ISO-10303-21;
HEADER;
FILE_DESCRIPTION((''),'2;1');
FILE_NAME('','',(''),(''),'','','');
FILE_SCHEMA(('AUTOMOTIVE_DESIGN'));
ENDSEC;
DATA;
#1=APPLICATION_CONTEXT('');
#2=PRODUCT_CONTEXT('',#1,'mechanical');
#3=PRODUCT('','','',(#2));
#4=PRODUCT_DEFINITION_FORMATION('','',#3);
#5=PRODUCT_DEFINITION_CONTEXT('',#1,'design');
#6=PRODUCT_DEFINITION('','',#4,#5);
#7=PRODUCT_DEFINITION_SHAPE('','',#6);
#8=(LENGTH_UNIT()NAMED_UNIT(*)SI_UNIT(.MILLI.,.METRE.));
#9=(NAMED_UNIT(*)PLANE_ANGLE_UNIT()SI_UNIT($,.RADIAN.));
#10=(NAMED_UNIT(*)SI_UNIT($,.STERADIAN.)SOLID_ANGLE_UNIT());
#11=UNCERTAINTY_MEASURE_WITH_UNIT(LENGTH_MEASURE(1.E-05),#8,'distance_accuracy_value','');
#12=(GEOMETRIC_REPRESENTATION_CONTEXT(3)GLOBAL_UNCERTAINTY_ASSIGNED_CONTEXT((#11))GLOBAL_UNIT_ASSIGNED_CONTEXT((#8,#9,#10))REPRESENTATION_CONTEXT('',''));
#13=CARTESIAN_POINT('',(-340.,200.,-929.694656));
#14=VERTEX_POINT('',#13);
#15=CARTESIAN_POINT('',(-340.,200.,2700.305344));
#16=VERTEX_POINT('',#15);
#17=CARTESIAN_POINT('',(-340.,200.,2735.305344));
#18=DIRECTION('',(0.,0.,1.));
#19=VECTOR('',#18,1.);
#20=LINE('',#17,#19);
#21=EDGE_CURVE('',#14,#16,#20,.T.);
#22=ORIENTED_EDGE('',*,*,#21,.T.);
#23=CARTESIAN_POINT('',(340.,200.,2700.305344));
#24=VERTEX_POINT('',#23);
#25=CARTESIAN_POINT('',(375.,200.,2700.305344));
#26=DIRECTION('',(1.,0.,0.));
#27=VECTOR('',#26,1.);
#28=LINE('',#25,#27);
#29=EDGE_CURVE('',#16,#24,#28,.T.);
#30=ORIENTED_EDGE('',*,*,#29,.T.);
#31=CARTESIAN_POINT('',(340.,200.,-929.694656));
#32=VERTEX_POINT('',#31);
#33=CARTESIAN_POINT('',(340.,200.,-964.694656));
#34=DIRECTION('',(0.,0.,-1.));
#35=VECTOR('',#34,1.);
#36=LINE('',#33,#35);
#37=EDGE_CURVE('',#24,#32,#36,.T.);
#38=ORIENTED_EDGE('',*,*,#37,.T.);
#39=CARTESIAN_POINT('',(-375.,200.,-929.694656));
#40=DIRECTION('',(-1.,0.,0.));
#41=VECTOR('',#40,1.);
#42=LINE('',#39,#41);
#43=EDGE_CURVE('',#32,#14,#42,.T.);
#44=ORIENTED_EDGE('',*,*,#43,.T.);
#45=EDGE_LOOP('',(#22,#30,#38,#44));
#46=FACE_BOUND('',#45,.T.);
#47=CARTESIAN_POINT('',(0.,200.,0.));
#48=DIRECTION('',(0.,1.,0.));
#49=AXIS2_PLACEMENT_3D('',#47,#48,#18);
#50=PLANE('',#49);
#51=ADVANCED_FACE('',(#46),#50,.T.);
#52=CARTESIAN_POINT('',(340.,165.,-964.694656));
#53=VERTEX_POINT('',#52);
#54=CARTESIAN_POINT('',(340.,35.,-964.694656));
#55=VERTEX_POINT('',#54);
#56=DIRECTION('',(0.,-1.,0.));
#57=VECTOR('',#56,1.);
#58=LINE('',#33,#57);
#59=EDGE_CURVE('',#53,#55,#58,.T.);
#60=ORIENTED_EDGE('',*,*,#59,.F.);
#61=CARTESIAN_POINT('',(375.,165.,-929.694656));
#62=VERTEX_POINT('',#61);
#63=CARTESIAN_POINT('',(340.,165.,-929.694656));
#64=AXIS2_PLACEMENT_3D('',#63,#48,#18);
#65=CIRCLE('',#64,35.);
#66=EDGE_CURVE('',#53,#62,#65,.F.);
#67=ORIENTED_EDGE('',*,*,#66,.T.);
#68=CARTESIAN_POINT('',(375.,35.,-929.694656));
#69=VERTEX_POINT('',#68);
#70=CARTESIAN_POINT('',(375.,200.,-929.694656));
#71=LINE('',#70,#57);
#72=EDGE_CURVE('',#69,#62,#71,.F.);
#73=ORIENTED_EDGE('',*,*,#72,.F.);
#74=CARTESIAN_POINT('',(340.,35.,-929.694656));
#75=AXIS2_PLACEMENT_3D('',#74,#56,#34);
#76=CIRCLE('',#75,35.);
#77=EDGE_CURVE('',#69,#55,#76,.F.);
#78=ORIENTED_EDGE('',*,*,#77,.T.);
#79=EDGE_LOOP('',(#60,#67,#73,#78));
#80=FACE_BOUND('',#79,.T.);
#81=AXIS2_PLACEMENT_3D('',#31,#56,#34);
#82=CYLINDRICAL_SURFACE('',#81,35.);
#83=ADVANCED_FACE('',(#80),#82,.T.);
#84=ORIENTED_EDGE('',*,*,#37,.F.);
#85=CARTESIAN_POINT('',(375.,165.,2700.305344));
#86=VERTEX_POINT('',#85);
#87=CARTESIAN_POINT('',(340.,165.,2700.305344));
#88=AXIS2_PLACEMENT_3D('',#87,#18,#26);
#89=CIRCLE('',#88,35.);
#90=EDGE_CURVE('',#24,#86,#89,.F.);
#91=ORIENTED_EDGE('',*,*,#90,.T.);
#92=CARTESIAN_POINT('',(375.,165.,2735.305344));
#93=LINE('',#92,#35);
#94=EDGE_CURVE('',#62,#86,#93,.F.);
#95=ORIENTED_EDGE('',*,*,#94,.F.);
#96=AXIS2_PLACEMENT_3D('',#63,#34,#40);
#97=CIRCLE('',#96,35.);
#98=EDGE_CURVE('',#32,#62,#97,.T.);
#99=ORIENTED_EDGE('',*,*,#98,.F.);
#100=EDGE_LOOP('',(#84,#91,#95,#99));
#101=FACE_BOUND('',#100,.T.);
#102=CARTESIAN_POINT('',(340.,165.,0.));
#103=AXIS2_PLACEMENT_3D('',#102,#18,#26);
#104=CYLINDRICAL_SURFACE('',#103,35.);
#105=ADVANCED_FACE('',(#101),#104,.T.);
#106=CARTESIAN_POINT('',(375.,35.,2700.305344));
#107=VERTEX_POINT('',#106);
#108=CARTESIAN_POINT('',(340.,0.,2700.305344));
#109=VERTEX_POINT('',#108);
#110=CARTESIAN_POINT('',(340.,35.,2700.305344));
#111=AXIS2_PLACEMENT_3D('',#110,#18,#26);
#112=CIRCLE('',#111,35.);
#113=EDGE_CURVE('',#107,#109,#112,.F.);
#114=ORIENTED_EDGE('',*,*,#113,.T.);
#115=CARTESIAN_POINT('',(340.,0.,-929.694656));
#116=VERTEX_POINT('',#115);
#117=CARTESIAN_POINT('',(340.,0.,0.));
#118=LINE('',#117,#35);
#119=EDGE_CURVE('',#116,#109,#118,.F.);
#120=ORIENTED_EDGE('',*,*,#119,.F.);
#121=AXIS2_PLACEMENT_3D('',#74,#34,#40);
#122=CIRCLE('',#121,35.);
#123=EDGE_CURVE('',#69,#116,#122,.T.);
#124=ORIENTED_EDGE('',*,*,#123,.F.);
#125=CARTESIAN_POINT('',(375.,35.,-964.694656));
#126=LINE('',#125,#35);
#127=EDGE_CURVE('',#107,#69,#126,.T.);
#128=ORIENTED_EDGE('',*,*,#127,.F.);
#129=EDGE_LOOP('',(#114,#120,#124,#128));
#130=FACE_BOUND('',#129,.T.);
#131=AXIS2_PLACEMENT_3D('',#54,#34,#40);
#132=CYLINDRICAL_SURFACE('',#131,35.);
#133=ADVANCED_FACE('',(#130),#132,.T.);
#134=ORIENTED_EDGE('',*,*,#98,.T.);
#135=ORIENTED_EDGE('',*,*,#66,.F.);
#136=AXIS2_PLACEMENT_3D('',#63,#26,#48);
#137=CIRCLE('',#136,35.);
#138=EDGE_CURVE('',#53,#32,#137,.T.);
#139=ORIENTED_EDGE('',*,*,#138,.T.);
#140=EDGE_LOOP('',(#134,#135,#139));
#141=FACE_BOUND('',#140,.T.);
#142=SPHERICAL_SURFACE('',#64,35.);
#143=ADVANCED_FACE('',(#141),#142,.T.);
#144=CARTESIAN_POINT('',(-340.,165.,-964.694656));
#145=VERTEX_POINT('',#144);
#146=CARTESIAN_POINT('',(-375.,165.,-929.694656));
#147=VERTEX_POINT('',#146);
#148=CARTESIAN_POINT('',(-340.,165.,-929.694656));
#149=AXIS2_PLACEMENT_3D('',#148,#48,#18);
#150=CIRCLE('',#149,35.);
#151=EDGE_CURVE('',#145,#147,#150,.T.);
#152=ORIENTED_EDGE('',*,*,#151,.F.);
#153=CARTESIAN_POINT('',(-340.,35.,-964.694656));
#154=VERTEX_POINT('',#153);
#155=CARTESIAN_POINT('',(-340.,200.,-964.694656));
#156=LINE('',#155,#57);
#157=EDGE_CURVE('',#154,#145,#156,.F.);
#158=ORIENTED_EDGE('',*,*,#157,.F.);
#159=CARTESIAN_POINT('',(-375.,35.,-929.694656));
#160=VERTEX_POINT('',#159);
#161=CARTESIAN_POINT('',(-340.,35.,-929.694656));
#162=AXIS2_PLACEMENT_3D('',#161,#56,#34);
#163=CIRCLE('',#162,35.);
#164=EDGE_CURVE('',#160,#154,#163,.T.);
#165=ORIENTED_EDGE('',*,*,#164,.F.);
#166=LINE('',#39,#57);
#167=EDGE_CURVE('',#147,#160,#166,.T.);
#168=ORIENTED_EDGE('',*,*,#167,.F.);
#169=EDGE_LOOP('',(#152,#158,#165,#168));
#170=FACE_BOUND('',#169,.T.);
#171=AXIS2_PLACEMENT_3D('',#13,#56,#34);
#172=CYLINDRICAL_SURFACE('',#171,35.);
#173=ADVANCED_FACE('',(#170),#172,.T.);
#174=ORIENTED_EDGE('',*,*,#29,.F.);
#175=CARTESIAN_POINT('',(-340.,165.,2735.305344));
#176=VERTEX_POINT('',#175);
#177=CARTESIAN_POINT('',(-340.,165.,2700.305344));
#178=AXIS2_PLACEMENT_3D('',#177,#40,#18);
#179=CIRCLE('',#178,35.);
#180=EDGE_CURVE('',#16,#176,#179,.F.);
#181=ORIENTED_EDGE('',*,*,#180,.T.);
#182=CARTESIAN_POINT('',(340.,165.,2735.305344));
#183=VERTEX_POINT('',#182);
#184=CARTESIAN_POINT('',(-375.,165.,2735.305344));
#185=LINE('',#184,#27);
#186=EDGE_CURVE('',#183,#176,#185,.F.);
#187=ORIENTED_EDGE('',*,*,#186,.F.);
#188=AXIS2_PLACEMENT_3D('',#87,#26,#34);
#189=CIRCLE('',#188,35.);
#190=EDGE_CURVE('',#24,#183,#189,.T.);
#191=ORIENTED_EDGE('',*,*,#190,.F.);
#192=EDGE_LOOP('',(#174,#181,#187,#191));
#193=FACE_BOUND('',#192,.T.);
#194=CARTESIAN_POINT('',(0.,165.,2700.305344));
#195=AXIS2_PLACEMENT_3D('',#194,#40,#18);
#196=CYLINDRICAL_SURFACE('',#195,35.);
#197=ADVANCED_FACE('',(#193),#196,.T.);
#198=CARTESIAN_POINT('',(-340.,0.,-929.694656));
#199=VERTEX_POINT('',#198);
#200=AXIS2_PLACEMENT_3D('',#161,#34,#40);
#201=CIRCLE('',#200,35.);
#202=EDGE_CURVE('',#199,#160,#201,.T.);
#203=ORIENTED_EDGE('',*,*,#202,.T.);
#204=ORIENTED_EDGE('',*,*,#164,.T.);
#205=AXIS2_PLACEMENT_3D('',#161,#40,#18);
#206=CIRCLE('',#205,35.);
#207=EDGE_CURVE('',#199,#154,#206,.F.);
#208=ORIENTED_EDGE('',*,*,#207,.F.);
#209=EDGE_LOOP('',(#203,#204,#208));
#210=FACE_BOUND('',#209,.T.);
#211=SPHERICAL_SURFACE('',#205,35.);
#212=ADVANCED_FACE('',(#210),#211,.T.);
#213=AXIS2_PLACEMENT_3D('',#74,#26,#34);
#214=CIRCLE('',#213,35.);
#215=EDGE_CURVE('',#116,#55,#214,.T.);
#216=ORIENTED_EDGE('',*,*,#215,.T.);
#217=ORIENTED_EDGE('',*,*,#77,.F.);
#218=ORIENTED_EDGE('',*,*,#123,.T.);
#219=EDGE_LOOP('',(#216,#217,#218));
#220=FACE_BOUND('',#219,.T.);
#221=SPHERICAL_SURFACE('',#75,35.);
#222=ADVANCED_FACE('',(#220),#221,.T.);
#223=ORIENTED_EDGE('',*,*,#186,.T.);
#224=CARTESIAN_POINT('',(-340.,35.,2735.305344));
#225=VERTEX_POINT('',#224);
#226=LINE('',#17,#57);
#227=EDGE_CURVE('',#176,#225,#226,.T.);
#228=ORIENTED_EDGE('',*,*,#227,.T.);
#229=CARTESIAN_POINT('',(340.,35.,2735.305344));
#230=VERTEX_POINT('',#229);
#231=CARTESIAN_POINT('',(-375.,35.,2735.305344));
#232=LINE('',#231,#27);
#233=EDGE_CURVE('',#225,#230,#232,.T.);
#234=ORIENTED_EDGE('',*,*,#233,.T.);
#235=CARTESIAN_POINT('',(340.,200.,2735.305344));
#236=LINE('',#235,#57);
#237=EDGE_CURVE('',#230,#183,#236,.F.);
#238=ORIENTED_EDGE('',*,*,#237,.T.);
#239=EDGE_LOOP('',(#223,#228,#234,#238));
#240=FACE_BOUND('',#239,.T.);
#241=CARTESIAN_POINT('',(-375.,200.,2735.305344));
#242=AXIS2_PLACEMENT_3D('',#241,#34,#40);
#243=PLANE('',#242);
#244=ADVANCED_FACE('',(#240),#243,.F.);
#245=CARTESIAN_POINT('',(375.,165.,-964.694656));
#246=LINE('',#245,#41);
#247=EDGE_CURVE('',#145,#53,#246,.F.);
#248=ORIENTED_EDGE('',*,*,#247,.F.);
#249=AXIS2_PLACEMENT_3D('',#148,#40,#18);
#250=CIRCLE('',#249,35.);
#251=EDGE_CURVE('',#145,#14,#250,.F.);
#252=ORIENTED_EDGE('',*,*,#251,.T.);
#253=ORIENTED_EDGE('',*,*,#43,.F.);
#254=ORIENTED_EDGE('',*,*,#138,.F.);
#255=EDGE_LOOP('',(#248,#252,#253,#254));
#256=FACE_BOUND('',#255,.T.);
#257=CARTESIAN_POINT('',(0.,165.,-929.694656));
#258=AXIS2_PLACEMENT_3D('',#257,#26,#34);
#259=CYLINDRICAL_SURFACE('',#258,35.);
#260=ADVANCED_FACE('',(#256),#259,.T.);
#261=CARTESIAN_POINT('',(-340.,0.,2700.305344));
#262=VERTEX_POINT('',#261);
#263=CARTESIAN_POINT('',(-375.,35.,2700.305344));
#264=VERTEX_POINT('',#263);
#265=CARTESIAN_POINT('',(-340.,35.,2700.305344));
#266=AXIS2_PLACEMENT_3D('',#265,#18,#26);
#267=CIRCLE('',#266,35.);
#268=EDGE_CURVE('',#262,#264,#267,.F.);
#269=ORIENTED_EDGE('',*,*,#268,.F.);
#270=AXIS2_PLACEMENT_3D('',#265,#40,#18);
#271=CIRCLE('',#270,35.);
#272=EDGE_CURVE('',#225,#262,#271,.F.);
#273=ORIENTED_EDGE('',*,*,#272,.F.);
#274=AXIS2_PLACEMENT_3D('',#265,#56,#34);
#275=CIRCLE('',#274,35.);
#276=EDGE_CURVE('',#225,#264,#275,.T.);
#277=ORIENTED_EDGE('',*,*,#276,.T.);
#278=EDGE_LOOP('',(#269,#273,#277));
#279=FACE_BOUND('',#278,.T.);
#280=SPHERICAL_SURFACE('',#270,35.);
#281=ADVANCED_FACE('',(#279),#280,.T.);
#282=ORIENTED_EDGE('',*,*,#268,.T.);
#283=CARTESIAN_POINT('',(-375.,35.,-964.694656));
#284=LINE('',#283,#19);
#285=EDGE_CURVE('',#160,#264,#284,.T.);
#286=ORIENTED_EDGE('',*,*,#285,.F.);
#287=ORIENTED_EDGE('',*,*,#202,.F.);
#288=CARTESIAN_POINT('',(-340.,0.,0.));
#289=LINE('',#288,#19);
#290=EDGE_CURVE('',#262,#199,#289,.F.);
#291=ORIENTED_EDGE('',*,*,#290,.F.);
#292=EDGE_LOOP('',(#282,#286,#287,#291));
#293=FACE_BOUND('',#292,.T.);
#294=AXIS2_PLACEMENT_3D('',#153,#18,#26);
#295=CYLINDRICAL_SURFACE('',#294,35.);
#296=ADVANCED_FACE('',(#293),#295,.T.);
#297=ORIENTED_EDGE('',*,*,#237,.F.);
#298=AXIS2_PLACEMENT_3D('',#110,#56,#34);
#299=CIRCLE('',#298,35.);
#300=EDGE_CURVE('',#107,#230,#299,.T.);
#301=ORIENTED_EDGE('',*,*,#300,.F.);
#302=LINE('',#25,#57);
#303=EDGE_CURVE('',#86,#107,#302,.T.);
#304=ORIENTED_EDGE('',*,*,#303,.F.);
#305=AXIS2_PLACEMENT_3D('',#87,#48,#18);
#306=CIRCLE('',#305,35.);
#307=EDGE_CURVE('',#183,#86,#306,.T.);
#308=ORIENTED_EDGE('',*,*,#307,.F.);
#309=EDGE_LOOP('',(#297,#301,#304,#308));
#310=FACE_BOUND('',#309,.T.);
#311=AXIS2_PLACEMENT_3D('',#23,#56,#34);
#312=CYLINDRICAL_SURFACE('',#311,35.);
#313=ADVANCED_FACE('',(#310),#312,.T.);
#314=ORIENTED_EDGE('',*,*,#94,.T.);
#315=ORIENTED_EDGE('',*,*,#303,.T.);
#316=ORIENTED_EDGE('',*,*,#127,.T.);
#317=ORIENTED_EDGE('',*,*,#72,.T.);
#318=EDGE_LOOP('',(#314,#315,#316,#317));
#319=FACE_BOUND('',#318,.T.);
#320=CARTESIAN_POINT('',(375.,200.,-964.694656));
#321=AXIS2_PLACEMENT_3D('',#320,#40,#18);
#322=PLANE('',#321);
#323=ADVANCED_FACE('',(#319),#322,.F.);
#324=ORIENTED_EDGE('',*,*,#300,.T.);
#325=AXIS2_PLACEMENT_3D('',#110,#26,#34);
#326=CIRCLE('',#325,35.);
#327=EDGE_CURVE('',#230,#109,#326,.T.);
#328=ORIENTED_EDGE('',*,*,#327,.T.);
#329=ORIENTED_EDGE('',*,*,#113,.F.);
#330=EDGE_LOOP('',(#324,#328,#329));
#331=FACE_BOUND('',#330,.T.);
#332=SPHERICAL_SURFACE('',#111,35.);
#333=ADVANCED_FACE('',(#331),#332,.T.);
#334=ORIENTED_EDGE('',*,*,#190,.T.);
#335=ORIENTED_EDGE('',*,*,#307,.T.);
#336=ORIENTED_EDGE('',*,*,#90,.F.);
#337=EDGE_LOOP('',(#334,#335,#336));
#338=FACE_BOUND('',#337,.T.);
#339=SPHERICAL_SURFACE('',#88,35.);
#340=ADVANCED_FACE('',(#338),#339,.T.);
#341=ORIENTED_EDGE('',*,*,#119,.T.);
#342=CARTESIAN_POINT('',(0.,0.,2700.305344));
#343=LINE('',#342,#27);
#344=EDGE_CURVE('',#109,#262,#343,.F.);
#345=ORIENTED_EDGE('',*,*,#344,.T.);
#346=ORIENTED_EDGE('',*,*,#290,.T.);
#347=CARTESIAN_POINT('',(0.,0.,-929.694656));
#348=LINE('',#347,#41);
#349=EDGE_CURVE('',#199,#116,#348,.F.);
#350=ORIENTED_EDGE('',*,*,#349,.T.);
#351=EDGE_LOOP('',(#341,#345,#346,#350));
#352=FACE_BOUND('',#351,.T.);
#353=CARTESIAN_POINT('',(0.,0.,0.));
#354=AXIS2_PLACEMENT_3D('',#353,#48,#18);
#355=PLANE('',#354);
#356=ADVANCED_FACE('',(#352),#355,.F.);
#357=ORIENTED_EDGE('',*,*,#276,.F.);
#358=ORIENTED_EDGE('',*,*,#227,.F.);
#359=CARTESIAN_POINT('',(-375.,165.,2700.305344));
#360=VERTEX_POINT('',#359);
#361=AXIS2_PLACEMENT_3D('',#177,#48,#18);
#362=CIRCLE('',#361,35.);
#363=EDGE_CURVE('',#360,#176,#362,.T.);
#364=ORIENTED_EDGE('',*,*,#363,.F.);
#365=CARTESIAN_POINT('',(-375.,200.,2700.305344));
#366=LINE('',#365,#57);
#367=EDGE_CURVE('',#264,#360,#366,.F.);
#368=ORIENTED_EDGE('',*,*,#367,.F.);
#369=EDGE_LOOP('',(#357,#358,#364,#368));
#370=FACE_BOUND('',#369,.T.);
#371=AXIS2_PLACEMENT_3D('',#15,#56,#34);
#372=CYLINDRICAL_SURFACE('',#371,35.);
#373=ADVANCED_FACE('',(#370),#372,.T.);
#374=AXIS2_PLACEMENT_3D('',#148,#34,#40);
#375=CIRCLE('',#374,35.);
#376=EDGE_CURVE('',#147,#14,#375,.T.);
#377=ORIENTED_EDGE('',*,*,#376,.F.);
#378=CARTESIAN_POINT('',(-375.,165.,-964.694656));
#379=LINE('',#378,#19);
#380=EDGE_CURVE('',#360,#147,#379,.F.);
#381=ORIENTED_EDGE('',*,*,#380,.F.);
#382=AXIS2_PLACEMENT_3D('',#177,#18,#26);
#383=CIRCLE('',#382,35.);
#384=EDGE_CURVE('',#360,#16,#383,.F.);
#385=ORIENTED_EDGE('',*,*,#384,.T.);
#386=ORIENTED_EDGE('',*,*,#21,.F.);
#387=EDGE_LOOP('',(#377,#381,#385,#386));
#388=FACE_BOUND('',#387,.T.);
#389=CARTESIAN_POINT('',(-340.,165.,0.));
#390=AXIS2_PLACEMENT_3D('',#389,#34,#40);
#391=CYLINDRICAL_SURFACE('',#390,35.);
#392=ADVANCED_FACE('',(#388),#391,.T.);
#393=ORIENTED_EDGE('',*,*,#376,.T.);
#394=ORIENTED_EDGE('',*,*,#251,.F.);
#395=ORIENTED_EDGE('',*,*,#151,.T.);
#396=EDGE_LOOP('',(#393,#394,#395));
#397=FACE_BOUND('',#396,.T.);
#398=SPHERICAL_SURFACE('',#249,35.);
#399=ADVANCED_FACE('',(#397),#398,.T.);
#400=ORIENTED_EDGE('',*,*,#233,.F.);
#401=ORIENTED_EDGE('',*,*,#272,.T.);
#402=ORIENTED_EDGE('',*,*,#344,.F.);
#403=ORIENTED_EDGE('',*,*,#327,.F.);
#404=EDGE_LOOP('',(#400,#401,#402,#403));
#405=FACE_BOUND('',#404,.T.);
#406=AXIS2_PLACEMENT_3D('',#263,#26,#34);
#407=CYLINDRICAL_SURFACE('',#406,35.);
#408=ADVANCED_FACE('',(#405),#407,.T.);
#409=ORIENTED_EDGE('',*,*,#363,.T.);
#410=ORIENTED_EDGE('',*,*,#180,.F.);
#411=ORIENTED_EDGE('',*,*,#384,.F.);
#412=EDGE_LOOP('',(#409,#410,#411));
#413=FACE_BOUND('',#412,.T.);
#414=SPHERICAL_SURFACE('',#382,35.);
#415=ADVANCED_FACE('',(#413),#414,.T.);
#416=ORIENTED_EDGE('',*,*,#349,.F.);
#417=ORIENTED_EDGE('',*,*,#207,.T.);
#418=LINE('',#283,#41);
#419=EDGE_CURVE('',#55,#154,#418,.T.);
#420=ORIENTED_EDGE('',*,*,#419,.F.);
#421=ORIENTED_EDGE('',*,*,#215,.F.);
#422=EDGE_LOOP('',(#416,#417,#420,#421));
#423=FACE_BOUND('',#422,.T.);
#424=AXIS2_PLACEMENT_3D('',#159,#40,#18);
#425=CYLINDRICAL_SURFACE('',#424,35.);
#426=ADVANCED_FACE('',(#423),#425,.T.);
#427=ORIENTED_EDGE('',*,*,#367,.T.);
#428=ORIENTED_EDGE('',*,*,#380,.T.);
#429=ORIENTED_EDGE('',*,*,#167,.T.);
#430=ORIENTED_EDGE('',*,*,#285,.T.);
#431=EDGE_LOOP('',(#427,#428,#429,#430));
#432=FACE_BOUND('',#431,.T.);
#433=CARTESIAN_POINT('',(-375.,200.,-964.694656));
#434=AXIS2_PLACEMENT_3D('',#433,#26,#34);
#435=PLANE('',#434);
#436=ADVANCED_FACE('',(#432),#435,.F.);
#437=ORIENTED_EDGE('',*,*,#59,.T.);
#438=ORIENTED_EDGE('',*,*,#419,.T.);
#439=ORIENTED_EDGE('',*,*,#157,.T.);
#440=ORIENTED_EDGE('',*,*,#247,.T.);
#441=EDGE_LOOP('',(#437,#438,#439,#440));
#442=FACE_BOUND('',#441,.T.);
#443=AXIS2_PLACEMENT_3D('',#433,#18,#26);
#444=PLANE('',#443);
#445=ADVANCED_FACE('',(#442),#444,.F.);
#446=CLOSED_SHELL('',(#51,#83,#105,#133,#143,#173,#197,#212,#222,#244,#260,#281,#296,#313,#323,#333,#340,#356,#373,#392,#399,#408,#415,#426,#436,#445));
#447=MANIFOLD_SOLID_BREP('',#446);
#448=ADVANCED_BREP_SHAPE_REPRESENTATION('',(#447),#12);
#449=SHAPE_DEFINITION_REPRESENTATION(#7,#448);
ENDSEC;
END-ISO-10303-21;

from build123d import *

# Parameters (mm, degrees)
SKETCH1_W           = 750
SKETCH1_H           = 3700
BOSS_EXTRUDE1_DEPTH = 200
FILLET1_R           = 35


with BuildPart() as part:
    # Sketch1 → Boss-Extrude1 (new body)
    with BuildSketch(Plane(origin=(0, 0, 0), x_dir=(1, 0, 0), z_dir=(0, 1, 0))):
        with Locations((0, -885.305343511)):
            Rectangle(SKETCH1_W, SKETCH1_H)
    extrude(amount=BOSS_EXTRUDE1_DEPTH)

    # Fillet1
    fillet1_edges = [part.edges().sort_by_distance(p)[0] for p in [
        (-375, 200, 885.305343511),
        (0, 200, 2735.305343511),
        (375, 200, 885.305343511),
        (0, 0, 2735.305343511),
        (-375, 0, 885.305343511),
        (0, 0, -964.694656489),
        (375, 0, 885.305343511),
        (375, 100, 2735.305343511),
        (-375, 100, 2735.305343511),
        (-375, 100, -964.694656489),
        (375, 100, -964.694656489),
        (0, 200, -964.694656489),
    ]]
    fillet(fillet1_edges, radius=FILLET1_R)


solid = part.part
